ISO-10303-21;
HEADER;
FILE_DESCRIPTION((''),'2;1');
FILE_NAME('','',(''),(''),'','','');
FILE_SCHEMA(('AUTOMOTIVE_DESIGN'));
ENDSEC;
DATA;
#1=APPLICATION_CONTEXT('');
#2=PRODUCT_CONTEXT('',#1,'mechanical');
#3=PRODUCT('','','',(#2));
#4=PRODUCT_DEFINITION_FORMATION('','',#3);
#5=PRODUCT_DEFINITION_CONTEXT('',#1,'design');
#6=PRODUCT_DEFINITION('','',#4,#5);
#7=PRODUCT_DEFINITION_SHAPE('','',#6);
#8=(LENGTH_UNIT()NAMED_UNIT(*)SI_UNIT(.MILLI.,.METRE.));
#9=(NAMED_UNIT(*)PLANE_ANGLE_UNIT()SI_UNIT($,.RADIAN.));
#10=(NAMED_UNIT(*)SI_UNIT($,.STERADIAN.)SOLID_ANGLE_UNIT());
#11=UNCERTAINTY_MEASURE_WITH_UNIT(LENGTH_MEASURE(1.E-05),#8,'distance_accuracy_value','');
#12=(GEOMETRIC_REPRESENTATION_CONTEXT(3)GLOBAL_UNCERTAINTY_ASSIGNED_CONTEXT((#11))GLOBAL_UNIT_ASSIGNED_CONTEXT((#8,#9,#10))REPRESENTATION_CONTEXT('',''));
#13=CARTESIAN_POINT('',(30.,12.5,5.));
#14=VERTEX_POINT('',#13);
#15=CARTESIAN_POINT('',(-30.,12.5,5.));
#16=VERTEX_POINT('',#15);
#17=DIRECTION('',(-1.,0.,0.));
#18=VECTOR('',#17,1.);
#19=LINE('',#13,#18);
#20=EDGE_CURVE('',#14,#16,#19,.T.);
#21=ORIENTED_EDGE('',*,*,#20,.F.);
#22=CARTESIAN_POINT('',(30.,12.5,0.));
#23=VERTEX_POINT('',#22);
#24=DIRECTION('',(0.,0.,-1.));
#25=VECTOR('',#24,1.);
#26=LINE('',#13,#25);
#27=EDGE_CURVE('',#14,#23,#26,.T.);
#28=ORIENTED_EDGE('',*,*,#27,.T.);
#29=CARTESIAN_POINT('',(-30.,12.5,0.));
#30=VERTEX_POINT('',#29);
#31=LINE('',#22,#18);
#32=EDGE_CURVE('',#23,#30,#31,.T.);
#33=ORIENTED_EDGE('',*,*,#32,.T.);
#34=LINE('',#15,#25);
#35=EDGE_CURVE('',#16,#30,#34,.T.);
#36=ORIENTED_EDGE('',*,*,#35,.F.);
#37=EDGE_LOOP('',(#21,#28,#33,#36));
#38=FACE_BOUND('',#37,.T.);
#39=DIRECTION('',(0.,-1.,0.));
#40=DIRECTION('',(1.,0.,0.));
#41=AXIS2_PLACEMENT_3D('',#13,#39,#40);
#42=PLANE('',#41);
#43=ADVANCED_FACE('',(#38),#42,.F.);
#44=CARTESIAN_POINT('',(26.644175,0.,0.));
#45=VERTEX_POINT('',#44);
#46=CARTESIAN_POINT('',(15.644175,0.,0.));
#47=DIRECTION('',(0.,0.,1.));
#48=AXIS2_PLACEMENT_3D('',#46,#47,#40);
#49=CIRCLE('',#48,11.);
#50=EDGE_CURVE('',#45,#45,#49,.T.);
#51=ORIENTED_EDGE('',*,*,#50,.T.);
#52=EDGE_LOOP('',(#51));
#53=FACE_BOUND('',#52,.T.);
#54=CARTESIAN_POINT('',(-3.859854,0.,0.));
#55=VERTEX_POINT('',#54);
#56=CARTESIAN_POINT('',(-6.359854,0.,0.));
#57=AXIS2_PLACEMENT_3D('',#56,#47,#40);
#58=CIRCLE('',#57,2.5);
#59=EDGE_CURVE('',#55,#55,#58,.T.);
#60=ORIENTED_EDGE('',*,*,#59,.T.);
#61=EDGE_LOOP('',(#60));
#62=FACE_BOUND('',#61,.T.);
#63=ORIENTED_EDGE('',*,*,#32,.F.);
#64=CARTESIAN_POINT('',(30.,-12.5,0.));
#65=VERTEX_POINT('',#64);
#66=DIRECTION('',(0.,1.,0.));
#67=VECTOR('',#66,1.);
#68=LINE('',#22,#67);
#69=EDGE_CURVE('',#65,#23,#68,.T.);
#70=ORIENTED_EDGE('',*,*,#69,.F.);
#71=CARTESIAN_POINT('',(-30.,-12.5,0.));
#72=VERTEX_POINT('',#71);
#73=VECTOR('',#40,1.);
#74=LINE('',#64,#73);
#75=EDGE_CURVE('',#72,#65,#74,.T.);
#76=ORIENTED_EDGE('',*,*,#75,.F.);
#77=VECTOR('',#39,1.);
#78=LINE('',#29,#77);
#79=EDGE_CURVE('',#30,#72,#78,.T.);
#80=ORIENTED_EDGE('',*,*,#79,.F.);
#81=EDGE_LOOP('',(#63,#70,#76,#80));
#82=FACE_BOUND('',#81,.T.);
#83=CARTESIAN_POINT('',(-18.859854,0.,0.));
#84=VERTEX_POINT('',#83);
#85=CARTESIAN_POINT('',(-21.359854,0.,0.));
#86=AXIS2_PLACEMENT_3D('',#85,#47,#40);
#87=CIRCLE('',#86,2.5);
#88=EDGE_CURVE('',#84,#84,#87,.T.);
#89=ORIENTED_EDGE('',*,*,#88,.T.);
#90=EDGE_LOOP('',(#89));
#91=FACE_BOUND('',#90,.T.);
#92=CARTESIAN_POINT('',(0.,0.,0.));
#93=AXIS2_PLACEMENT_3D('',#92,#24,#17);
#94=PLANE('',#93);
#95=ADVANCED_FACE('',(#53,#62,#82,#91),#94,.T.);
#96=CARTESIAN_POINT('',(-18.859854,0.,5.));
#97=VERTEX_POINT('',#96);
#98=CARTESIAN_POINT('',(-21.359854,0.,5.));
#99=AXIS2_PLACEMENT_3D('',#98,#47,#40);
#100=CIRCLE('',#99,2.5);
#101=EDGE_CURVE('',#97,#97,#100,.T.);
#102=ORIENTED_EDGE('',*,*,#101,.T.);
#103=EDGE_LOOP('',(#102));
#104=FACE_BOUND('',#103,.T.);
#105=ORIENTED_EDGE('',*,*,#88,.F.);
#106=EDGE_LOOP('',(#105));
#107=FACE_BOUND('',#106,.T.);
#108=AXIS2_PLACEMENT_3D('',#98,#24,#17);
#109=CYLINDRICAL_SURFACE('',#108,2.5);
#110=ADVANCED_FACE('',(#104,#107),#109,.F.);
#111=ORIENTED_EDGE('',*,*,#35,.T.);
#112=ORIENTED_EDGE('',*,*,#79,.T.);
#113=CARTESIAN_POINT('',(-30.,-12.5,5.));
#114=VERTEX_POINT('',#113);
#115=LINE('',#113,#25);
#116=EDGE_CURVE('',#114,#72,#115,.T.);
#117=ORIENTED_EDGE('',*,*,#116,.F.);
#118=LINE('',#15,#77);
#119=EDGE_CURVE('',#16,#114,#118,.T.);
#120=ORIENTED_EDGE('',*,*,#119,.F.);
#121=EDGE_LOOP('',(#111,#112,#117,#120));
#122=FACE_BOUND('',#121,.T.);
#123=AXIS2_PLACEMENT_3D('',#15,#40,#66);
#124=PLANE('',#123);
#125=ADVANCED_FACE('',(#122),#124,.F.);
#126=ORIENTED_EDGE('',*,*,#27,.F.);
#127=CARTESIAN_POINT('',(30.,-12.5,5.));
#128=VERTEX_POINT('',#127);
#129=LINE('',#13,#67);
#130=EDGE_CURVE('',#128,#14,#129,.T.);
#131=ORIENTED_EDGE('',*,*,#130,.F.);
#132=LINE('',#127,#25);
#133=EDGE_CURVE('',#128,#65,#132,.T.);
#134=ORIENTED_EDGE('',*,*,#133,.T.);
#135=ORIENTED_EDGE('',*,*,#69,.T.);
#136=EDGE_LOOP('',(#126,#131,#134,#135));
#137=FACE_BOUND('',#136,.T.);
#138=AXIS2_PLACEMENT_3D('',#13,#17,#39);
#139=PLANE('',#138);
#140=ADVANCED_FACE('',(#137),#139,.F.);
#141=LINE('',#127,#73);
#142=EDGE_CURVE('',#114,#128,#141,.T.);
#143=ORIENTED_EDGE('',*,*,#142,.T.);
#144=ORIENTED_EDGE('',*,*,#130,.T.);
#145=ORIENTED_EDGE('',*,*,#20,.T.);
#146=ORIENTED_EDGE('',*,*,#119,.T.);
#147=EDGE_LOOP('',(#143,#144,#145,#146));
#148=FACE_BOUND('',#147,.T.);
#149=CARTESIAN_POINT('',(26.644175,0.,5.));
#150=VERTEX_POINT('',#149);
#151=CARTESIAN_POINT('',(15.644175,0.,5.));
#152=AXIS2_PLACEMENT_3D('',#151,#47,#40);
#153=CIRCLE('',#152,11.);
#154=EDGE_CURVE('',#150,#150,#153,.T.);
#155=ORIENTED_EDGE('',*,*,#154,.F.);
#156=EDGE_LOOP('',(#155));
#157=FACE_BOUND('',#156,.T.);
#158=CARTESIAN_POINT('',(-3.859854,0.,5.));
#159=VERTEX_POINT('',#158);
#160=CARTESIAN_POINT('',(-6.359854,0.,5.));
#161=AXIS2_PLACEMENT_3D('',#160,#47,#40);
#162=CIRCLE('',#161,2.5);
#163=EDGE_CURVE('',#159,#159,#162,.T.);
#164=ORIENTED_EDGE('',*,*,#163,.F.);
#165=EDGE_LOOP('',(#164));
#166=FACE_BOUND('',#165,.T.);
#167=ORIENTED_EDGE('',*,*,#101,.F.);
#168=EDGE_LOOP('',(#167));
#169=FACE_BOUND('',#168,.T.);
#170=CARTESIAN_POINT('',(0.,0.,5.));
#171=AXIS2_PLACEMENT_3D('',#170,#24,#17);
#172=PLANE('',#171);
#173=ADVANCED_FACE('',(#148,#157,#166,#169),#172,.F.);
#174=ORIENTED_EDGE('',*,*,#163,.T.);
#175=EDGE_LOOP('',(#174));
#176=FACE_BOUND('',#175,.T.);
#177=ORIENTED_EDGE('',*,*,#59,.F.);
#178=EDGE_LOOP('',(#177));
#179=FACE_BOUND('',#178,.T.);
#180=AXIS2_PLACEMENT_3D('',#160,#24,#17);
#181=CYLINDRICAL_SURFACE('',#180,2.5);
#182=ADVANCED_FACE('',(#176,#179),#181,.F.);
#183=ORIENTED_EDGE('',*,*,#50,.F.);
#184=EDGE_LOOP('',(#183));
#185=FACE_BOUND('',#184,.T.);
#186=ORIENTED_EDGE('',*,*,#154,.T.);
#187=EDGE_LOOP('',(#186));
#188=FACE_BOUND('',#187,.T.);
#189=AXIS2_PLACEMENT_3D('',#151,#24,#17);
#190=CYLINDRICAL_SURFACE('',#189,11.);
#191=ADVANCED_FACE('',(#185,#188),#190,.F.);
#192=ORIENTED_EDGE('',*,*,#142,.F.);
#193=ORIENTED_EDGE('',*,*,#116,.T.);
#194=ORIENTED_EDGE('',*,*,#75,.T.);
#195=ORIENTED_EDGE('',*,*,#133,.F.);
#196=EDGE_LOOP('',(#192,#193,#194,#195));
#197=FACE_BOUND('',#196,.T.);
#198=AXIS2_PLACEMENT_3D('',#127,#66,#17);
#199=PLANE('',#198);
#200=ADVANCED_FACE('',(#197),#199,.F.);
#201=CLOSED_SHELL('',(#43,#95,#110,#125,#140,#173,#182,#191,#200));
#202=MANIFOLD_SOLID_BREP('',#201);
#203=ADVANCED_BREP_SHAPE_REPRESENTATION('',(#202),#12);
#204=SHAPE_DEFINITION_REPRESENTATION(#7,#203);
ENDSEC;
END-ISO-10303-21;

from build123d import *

# Parameters (mm, degrees)
SKETCH1_W           = 60
SKETCH1_H           = 25
SKETCH1_R           = 2.5
SKETCH1_R_2         = 11
BOSS_EXTRUDE2_DEPTH = 5


with BuildPart() as part:
    # Sketch1 → Boss-Extrude2 (new body)
    with BuildSketch(Plane.XY):
        Rectangle(SKETCH1_W, SKETCH1_H)
        with Locations((-21.359853693, 0)):
            Circle(SKETCH1_R, mode=Mode.SUBTRACT)
        with Locations((15.644174596, 0)):
            Circle(SKETCH1_R_2, mode=Mode.SUBTRACT)
        with Locations((-6.359853693, 0)):
            Circle(SKETCH1_R, mode=Mode.SUBTRACT)
    extrude(amount=BOSS_EXTRUDE2_DEPTH)


solid = part.part
